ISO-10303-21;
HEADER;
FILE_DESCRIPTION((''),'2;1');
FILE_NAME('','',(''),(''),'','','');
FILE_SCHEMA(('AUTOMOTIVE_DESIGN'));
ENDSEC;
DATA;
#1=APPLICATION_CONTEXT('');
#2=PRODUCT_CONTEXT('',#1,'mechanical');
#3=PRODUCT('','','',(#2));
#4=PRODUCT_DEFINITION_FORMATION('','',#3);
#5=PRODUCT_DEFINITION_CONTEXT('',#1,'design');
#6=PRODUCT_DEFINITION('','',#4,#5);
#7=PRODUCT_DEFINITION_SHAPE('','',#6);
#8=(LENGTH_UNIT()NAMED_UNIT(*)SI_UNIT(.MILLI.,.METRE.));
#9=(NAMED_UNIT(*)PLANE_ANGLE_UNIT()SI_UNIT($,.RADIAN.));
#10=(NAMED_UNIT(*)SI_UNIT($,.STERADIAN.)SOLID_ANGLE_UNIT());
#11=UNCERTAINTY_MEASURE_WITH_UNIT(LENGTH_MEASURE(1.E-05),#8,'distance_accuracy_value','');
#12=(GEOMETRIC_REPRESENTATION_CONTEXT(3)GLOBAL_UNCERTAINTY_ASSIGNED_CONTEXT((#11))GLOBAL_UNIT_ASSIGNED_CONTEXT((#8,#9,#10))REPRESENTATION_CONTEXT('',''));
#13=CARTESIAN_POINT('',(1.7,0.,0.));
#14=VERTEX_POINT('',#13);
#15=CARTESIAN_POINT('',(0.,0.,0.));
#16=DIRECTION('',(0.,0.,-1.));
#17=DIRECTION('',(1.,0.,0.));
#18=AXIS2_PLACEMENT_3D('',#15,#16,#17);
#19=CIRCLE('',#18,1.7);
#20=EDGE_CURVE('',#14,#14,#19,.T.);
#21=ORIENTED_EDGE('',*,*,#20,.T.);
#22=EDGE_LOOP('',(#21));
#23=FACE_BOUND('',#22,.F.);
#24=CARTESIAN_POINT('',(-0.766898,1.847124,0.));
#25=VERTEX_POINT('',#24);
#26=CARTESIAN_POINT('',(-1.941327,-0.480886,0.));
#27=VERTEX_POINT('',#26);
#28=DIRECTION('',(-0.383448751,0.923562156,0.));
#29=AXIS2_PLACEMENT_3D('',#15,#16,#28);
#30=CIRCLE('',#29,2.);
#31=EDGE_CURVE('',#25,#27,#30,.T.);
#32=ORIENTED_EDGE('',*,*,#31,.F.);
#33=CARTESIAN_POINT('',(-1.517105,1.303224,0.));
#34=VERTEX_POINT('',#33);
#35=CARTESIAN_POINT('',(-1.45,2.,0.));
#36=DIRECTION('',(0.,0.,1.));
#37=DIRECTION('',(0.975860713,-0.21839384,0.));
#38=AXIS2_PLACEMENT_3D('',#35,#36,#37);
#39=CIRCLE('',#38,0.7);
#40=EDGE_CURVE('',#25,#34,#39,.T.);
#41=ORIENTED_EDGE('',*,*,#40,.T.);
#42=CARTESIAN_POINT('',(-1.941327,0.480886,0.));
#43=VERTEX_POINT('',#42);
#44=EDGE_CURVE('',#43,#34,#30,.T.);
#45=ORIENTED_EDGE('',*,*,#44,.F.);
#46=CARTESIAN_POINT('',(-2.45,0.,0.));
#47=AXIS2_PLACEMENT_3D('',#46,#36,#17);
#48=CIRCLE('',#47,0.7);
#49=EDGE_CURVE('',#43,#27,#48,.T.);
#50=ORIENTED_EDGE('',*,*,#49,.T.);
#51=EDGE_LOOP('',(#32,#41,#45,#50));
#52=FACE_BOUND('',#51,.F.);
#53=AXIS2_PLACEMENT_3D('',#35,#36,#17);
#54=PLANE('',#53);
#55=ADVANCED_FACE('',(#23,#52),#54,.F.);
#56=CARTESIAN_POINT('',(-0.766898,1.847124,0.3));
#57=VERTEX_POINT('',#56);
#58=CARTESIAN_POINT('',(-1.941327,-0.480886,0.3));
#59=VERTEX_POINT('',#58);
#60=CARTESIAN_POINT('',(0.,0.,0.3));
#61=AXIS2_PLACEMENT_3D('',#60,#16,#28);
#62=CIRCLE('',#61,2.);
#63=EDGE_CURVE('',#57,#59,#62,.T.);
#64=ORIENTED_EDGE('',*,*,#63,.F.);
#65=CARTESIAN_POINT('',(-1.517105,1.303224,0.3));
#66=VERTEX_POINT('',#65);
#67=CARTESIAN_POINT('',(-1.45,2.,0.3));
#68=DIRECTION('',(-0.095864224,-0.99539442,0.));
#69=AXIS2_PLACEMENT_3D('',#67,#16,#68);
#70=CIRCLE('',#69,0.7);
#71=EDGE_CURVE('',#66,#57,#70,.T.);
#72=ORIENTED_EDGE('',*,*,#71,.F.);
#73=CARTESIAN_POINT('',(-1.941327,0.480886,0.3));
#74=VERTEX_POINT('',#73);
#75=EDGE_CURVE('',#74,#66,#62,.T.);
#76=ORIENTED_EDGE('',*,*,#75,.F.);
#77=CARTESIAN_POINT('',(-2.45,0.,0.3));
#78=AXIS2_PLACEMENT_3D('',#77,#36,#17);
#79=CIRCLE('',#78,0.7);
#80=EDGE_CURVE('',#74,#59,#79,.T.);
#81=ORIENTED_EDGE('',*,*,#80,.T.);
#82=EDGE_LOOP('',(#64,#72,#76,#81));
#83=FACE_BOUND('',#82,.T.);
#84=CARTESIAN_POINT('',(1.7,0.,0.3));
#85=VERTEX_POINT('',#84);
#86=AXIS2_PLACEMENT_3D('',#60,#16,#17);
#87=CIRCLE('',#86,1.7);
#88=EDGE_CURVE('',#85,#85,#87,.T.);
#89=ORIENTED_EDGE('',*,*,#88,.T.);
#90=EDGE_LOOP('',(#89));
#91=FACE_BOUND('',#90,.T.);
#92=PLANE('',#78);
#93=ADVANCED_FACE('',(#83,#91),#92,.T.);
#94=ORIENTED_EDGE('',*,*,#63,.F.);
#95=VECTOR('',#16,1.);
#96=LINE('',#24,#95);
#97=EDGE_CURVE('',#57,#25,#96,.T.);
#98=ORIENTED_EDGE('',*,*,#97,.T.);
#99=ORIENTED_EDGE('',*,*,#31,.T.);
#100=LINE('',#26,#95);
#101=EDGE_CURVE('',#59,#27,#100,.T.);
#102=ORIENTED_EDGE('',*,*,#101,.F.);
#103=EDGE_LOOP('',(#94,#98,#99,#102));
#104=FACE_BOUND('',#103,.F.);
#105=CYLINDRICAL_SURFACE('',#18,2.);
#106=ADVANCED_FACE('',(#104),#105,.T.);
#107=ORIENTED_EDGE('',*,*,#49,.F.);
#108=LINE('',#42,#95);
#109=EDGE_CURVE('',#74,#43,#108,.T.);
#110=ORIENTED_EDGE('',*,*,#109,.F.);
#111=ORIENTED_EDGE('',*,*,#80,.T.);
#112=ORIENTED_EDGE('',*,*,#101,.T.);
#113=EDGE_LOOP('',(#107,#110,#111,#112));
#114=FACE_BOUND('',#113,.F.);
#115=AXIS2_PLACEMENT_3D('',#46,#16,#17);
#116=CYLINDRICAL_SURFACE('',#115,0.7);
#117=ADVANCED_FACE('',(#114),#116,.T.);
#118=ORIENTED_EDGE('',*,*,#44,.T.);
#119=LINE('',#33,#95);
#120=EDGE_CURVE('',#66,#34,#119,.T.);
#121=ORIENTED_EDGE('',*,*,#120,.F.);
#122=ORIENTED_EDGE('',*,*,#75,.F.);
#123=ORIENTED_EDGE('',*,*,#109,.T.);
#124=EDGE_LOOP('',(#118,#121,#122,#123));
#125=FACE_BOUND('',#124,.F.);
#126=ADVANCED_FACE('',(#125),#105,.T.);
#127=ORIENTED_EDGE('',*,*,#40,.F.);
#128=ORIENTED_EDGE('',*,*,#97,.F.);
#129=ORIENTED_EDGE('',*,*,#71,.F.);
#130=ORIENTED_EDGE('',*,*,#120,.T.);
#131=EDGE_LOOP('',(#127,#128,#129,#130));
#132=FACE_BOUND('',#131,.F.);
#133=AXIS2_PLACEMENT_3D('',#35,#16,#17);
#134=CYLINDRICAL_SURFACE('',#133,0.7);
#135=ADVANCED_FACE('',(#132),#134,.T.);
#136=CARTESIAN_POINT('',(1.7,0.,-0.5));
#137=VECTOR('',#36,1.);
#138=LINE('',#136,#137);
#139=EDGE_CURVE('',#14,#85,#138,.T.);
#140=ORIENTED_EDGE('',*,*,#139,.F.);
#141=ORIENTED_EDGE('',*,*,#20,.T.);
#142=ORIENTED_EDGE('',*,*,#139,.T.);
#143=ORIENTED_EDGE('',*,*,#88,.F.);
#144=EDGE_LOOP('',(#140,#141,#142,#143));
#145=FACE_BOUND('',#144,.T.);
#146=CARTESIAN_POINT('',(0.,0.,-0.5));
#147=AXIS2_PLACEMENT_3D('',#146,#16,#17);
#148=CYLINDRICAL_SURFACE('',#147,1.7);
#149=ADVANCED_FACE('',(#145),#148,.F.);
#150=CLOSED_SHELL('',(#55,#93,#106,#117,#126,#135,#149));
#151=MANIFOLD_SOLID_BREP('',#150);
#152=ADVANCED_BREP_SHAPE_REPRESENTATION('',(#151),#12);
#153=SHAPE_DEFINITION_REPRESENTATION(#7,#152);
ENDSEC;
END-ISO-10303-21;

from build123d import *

# Parameters (mm, degrees)
CYLINDER003_R     = 0.7
CYLINDER003_DEPTH = 0.3
CYLINDER002_R     = 0.7
CYLINDER002_DEPTH = 0.3
CYLINDER001_R     = 1.7
CYLINDER001_DEPTH = 1
CYLINDER_R        = 2
CYLINDER_DEPTH    = 0.3


with BuildPart() as cylinder003:
    # Cylinder003 → Cylinder003 (new body)
    with BuildSketch(Plane(origin=(-2.45, 0, 0), x_dir=(1, 0, 0), z_dir=(0, 0, 1))):
        Circle(CYLINDER003_R)
    extrude(amount=CYLINDER003_DEPTH)


with BuildPart() as cylinder002:
    # Cylinder002 → Cylinder002 (new body)
    with BuildSketch(Plane(origin=(-1.45, 2, 0), x_dir=(1, 0, 0), z_dir=(0, 0, 1))):
        Circle(CYLINDER002_R)
    extrude(amount=CYLINDER002_DEPTH)


with BuildPart() as cylinder001:
    # Cylinder001 → Cylinder001 (new body)
    with BuildSketch(Plane.XY.offset(-0.5)):
        Circle(CYLINDER001_R)
    extrude(amount=CYLINDER001_DEPTH)


with BuildPart() as fusion001:
    # Cylinder → Cylinder (new body)
    with BuildSketch(Plane.XY):
        Circle(CYLINDER_R)
    extrude(amount=CYLINDER_DEPTH)

    # Cut: cut Cylinder001
    add(cylinder001.part, mode=Mode.SUBTRACT)

    # Fusion: union Cylinder002
    add(cylinder002.part)

    # Fusion001: union Cylinder003
    add(cylinder003.part)


solid = fusion001.part
